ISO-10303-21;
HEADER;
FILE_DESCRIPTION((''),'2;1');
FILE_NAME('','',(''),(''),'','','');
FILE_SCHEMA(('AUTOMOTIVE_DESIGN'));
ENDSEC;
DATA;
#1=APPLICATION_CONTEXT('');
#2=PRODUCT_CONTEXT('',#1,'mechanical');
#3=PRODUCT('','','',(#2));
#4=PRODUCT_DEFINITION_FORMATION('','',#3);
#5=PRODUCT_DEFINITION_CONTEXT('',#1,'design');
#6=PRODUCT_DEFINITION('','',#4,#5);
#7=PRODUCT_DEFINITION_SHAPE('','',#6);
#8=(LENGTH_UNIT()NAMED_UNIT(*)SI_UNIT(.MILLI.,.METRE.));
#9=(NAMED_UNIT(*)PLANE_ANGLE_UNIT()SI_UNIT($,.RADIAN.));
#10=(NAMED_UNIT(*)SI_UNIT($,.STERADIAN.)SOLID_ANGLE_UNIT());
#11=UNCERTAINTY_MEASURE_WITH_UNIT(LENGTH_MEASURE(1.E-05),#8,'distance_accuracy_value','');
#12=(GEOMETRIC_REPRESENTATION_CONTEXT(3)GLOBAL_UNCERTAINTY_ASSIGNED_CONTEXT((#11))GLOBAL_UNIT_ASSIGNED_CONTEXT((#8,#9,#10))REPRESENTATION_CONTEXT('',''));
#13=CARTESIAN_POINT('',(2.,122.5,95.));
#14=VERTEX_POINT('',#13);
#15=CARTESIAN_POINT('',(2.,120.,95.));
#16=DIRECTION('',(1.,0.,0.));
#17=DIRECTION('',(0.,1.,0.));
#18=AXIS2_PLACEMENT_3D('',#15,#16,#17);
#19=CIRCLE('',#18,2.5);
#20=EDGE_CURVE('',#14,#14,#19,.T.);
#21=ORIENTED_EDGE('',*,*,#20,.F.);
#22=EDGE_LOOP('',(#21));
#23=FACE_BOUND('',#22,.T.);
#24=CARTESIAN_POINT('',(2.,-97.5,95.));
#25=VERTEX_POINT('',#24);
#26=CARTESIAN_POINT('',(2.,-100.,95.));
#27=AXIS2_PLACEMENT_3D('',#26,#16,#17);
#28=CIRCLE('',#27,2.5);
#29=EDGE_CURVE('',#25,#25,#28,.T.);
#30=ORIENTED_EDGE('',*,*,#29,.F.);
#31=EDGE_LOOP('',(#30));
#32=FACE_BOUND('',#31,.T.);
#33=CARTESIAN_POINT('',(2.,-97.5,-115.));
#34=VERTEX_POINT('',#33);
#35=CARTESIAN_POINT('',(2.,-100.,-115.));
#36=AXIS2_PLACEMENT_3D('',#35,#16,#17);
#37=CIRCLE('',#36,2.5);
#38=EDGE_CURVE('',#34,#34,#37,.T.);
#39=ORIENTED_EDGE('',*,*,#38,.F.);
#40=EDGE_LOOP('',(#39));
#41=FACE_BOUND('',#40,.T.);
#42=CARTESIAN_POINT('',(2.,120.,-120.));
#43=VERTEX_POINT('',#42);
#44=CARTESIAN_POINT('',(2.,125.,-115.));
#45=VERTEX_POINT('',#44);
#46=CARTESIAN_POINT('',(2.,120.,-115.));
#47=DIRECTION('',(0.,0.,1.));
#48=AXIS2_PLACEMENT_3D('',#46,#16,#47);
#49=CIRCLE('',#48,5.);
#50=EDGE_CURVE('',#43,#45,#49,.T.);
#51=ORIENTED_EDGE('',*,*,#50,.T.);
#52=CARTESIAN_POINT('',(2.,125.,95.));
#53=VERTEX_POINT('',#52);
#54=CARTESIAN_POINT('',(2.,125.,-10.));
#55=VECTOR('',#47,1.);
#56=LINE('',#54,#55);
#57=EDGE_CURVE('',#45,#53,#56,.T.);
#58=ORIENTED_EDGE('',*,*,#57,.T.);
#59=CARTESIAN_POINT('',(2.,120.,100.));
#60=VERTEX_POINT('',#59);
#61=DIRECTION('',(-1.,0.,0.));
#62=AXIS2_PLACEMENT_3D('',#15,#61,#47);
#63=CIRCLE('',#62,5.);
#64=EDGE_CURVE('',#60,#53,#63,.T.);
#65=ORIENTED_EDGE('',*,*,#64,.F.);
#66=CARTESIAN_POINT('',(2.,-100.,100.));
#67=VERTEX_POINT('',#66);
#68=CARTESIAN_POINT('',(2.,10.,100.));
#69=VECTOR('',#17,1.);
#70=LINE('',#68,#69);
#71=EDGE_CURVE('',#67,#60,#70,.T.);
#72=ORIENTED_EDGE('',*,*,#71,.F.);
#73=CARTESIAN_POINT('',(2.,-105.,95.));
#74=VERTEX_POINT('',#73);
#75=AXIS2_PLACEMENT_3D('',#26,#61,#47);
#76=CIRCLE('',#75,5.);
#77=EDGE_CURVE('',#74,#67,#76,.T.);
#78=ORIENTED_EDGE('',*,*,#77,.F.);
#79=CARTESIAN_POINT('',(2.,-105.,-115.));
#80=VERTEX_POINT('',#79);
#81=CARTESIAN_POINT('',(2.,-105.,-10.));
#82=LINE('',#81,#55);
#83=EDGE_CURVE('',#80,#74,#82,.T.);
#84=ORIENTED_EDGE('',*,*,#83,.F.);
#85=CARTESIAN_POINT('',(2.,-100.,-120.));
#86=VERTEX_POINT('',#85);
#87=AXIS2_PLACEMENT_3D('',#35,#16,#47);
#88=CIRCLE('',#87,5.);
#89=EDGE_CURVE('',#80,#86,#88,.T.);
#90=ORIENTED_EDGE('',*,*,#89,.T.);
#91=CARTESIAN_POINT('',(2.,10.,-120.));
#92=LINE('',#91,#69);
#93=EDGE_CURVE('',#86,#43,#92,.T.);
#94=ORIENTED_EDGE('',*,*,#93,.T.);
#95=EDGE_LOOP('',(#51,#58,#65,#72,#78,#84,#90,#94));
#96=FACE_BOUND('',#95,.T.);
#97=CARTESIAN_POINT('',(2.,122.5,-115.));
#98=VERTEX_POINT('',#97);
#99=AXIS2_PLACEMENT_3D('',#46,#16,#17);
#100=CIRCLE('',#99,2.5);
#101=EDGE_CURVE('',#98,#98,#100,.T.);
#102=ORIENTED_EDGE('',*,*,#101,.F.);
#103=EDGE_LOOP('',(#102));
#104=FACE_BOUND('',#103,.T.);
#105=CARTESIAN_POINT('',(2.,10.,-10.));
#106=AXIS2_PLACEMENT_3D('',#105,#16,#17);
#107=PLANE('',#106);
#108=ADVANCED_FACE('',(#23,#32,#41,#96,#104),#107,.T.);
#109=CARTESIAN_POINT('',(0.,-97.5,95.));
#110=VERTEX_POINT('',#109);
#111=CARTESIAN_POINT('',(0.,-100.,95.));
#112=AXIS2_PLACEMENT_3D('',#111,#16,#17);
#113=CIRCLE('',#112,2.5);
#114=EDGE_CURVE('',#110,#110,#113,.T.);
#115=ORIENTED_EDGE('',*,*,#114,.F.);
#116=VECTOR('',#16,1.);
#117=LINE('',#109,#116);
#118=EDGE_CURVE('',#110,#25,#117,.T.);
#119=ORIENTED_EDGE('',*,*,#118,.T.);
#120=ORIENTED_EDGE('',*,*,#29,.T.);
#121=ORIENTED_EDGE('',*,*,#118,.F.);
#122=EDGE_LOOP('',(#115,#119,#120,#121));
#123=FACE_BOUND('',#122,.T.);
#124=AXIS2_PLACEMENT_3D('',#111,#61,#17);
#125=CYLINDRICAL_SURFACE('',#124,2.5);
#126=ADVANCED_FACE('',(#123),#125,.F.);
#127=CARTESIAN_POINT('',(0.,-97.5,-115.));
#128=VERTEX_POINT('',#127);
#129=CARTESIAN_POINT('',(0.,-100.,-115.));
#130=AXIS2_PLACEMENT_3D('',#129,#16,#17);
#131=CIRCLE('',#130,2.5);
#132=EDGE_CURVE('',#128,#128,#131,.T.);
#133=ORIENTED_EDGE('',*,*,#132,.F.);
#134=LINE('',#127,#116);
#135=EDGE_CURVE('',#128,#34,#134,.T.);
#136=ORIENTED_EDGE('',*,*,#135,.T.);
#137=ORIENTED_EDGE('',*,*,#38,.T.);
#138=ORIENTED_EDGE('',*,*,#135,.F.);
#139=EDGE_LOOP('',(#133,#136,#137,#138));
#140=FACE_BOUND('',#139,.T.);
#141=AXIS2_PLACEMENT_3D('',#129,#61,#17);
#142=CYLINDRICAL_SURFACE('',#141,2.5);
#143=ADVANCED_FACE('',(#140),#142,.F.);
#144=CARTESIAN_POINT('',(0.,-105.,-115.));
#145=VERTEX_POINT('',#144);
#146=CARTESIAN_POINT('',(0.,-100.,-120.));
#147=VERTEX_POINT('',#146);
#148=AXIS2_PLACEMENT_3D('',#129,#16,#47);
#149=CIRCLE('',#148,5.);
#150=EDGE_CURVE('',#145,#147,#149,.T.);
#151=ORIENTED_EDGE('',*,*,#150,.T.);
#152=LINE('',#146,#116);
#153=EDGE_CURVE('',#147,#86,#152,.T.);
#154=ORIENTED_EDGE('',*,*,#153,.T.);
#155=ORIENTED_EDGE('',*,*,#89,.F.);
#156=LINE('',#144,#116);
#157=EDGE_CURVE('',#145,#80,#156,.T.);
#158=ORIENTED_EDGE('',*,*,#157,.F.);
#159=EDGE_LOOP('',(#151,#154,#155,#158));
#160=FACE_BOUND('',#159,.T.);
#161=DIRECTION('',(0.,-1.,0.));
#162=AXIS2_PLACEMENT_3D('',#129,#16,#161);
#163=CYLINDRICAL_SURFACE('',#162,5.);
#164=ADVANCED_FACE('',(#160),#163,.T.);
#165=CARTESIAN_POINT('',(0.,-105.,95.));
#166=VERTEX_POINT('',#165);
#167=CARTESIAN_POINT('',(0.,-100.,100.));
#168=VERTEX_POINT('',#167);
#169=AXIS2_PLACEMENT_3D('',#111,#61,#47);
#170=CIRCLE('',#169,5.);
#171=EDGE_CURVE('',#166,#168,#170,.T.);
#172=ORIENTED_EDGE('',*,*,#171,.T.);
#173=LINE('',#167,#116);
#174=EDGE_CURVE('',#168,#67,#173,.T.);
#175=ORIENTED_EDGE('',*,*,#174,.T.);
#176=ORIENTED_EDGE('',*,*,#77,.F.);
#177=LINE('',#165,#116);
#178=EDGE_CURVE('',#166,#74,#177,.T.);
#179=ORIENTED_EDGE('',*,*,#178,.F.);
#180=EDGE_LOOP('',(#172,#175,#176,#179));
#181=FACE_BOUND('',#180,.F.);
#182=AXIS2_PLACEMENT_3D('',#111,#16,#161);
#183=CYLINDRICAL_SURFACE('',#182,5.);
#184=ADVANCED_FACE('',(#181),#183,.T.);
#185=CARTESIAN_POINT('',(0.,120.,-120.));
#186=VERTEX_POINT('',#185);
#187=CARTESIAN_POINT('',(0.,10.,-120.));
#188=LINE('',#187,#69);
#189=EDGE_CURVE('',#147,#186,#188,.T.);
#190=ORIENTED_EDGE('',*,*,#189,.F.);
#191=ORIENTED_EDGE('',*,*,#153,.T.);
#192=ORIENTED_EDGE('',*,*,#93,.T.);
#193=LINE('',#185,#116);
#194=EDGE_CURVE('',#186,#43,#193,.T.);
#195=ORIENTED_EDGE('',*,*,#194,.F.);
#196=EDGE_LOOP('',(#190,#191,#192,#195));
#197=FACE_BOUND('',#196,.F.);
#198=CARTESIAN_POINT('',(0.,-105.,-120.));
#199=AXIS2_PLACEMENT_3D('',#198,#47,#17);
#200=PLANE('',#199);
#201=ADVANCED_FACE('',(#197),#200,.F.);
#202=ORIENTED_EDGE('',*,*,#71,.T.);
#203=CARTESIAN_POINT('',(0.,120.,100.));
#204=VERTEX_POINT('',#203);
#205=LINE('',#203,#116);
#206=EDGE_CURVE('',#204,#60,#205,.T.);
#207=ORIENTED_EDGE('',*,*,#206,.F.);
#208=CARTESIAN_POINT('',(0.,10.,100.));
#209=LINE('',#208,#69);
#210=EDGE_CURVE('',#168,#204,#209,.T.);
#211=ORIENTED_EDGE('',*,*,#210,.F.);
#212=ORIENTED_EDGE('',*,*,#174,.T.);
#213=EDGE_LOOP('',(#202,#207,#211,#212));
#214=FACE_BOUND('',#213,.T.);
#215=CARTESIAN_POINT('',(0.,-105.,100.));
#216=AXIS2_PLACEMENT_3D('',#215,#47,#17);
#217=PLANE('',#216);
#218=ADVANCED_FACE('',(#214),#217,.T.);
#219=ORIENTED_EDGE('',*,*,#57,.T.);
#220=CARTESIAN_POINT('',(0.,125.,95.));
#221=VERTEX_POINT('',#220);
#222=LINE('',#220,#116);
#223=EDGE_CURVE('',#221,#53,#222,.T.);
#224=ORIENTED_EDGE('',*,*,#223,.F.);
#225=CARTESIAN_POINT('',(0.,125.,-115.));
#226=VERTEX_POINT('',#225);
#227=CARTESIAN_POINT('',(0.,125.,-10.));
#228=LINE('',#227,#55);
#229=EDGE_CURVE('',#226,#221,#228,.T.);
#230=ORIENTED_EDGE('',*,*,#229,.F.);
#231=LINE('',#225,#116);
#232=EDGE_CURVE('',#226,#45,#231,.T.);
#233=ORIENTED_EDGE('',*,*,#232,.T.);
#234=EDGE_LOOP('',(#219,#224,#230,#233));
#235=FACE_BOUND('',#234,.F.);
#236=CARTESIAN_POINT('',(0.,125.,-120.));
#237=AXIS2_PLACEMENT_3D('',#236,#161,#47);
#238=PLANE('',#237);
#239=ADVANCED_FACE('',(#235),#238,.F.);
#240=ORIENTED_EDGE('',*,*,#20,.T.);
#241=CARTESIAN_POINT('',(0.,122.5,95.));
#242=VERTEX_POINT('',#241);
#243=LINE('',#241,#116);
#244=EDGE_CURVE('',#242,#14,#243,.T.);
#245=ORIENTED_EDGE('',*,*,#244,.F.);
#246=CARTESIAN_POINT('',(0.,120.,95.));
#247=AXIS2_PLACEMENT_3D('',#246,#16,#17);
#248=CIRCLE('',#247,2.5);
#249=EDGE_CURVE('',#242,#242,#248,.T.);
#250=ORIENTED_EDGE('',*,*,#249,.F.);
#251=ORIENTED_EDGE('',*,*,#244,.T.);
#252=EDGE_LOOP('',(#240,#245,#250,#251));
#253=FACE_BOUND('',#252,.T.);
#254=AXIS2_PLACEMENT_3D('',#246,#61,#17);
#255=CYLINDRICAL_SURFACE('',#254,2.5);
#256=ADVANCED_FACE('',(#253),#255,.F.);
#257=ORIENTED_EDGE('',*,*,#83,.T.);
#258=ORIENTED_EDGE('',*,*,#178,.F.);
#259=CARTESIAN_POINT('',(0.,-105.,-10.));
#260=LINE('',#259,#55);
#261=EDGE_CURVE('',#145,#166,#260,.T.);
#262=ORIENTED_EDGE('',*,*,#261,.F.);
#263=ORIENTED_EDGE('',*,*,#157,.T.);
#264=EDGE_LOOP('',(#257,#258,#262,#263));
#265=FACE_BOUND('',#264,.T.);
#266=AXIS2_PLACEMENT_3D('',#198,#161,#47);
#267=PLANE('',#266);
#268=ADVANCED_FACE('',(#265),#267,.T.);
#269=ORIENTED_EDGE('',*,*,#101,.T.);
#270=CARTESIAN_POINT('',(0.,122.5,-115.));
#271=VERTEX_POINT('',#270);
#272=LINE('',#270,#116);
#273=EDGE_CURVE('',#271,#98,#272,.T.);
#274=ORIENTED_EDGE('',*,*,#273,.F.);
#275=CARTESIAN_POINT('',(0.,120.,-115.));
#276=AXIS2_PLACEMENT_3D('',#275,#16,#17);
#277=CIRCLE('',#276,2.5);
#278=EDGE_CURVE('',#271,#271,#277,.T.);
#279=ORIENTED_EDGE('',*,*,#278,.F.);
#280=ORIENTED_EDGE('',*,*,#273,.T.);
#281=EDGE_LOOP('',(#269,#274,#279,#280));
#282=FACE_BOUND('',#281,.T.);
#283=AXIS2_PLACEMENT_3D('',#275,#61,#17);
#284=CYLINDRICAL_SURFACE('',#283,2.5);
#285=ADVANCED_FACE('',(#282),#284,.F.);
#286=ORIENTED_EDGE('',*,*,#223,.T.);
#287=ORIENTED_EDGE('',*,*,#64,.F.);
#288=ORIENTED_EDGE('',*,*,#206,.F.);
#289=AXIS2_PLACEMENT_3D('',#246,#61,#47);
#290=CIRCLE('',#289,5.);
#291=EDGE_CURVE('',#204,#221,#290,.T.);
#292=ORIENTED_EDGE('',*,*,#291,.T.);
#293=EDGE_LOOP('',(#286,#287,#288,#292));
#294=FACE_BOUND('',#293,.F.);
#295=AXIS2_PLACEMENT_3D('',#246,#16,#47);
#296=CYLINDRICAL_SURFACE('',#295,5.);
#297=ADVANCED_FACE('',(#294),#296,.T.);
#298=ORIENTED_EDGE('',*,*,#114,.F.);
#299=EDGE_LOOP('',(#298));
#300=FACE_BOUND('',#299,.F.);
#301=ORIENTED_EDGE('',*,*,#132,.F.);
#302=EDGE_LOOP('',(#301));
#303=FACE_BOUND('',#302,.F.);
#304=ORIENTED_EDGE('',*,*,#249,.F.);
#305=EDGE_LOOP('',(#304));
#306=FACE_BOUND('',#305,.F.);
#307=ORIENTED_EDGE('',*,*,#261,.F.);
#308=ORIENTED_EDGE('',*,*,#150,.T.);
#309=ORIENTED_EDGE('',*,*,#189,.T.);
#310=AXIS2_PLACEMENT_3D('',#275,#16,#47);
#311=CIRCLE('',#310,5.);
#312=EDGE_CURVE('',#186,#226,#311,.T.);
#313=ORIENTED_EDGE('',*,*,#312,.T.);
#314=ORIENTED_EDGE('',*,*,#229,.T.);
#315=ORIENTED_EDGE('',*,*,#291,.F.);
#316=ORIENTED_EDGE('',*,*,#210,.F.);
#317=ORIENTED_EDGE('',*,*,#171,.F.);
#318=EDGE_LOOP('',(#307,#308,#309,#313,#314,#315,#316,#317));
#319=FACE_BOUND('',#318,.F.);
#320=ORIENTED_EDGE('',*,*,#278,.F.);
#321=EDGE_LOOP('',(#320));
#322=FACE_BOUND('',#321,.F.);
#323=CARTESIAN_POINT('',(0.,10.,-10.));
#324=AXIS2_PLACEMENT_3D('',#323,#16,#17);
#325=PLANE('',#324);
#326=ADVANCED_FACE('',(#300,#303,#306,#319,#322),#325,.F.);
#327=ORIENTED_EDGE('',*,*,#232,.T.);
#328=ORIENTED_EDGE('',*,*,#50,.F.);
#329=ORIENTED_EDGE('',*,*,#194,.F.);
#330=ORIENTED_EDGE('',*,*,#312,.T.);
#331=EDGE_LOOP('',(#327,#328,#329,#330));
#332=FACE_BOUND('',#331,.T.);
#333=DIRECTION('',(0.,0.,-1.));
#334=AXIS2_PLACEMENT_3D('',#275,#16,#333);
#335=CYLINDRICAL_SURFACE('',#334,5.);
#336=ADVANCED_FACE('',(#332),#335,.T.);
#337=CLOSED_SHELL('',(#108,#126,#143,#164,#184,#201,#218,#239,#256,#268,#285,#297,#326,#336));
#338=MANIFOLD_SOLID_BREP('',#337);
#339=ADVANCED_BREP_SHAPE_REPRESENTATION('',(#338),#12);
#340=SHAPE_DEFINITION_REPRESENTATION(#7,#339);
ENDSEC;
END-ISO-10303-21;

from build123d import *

# Parameters (mm, degrees)
SKETCH_W  = 230
SKETCH_H  = 220
SKETCH_R  = 2.5
PAD_DEPTH = 2
FILLET_R  = 5


with BuildPart() as part:
    # Sketch → Pad (new body)
    with BuildSketch(Plane.YZ):
        with Locations((10, -10)):
            Rectangle(SKETCH_W, SKETCH_H)
        with Locations((-100, 95)):
            Circle(SKETCH_R, mode=Mode.SUBTRACT)
        with Locations((120, 95)):
            Circle(SKETCH_R, mode=Mode.SUBTRACT)
        with Locations((-100, -115)):
            Circle(SKETCH_R, mode=Mode.SUBTRACT)
        with Locations((120, -115)):
            Circle(SKETCH_R, mode=Mode.SUBTRACT)
    extrude(amount=PAD_DEPTH)

    # Fillet
    fillet_edges = [part.edges().sort_by_distance(p)[0] for p in [
        (1, 125, -120),
        (1, -105, -120),
        (1, -105, 100),
        (1, 125, 100),
    ]]
    fillet(fillet_edges, radius=FILLET_R)


solid = part.part
